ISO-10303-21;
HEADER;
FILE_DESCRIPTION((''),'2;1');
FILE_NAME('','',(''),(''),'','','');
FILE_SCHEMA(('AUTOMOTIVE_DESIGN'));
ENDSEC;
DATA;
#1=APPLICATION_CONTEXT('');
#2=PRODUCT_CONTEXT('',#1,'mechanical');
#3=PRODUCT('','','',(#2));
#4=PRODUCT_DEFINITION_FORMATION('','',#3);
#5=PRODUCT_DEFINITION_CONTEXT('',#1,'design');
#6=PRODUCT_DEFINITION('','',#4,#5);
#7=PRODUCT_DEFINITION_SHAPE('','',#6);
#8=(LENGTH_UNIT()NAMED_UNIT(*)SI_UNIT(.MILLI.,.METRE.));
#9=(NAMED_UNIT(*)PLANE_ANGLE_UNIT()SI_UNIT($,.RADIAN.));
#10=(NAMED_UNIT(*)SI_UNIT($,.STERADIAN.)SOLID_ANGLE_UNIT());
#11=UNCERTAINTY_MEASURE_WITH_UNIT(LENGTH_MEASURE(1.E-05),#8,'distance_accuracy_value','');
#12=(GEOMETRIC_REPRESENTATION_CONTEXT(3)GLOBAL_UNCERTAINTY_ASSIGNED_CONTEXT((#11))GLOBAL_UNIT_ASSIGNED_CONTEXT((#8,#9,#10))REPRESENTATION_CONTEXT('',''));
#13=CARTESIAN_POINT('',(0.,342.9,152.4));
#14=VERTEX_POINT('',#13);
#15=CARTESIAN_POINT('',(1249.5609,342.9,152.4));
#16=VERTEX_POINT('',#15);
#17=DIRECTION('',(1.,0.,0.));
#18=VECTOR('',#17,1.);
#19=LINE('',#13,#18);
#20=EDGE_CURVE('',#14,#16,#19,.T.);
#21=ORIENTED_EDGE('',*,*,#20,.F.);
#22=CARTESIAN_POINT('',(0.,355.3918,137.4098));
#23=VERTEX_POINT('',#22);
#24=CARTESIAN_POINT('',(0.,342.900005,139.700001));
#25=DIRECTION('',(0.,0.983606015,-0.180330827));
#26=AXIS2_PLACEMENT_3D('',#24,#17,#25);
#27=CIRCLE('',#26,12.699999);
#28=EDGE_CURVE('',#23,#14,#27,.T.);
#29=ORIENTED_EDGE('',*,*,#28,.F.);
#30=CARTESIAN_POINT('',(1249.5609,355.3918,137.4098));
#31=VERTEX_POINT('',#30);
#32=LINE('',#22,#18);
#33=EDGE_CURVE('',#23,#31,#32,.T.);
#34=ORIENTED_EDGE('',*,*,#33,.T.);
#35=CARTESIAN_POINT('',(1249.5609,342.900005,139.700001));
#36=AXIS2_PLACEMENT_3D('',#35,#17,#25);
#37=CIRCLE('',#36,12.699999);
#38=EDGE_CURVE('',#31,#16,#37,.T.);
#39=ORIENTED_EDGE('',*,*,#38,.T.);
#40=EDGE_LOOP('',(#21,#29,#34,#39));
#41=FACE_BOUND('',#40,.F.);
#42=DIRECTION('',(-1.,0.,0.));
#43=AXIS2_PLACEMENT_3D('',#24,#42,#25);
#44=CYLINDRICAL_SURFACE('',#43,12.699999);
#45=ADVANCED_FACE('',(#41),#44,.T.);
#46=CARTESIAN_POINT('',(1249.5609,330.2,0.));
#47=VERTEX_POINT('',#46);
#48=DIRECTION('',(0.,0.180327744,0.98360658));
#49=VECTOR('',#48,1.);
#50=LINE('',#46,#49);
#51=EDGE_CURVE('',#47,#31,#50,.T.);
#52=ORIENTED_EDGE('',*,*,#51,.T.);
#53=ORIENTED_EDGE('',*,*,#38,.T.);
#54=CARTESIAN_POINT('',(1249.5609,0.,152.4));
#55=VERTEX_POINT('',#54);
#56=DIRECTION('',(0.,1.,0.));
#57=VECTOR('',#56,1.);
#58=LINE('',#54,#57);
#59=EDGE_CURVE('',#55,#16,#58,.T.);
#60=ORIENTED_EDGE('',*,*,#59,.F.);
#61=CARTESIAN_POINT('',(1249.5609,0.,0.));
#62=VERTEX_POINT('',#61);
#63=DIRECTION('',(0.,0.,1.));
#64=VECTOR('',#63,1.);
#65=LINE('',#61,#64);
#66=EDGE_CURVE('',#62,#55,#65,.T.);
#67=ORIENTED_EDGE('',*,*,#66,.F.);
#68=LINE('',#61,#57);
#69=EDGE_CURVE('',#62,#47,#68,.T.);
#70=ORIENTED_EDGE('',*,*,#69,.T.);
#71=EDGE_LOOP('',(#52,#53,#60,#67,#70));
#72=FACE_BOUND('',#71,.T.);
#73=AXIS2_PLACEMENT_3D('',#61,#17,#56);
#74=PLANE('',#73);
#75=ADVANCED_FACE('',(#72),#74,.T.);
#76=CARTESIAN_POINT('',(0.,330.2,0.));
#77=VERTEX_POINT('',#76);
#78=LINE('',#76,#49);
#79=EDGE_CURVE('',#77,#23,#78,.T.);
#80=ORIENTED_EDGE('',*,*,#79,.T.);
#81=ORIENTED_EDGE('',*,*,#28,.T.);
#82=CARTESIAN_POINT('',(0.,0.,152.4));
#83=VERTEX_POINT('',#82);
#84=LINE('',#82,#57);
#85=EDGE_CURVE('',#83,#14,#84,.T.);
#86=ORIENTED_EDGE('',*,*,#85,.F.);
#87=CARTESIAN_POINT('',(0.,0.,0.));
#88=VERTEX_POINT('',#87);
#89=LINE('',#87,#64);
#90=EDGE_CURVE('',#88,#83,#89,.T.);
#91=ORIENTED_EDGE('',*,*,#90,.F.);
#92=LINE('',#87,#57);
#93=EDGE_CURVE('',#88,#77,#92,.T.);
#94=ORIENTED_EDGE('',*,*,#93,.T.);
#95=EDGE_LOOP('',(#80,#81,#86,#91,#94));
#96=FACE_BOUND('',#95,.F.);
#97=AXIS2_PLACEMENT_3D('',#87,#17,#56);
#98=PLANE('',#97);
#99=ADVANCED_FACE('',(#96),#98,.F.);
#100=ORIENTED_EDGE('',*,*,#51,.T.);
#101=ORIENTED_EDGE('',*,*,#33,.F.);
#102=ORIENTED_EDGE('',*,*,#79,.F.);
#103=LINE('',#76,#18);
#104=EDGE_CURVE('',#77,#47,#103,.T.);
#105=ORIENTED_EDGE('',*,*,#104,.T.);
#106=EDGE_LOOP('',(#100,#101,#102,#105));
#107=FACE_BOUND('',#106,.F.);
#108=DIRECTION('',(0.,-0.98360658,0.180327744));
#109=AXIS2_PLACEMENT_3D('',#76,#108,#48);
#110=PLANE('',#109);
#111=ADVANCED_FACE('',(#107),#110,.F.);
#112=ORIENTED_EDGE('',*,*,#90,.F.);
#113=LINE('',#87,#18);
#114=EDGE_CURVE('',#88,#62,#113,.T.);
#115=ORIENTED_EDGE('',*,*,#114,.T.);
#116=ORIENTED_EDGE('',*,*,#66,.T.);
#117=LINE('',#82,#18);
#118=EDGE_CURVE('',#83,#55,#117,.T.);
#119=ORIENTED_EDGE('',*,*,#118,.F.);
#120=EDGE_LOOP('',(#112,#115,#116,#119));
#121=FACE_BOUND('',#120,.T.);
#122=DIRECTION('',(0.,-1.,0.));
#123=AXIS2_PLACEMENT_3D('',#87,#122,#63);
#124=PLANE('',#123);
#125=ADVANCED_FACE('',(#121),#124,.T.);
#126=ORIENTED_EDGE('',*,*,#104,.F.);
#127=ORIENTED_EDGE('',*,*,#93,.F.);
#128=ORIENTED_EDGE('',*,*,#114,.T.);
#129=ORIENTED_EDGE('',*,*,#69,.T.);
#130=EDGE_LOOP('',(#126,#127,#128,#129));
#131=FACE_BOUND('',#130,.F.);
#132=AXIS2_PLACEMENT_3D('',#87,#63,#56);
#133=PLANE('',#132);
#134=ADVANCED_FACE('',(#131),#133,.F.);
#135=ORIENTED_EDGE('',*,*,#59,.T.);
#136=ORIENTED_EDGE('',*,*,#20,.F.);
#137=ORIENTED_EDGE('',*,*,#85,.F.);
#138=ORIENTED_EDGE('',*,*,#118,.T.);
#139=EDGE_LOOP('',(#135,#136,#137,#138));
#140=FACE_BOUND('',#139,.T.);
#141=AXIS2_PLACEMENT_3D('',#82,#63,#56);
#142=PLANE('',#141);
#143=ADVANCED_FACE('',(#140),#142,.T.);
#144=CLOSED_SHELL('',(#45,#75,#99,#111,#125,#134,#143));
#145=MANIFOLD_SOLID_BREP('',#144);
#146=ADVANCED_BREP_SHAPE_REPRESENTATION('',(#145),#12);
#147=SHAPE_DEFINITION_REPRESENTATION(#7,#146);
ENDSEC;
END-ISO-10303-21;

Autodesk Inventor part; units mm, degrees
ref_plane "YZ Plane" through (0, 0, 0) normal (1, 0, 0) x (0, 1, 0)
ref_plane "XZ Plane" through (0, 0, 0) normal (0, 1, 0) x (-1, 0, 0)
ref_plane "XY Plane" through (0, 0, 0) normal (0, 0, 1) x (1, 0, 0)
sketch "Sketch1" plane through (0, 0, 0) normal (1, 0, 0) x (0, 1, 0)
  line L0 (0, 0) -> (0, 152.4)
  line L1 (0, 0) -> (330.2, 0)
  line L2 (0, 152.4) -> (342.9, 152.4)
  line L3 (342.9, 152.4) -> (342.9, 139.7) construction
  arc A0 (355.3918, 137.4098) -> (342.9, 152.4) centre (342.9, 139.7) ccw
  line L4 (330.2, 0) -> (355.7981, 139.6261)
  dimension "d0" = 152.4
  dimension "d1" = 330.2
  dimension "d2" = 342.9
  dimension "d3" = 12.7
extrude "Extrusion1" add sketch "Sketch1" along normal blind 1249.5609
properties part number "D" material "Granite, Cut, Polished"
